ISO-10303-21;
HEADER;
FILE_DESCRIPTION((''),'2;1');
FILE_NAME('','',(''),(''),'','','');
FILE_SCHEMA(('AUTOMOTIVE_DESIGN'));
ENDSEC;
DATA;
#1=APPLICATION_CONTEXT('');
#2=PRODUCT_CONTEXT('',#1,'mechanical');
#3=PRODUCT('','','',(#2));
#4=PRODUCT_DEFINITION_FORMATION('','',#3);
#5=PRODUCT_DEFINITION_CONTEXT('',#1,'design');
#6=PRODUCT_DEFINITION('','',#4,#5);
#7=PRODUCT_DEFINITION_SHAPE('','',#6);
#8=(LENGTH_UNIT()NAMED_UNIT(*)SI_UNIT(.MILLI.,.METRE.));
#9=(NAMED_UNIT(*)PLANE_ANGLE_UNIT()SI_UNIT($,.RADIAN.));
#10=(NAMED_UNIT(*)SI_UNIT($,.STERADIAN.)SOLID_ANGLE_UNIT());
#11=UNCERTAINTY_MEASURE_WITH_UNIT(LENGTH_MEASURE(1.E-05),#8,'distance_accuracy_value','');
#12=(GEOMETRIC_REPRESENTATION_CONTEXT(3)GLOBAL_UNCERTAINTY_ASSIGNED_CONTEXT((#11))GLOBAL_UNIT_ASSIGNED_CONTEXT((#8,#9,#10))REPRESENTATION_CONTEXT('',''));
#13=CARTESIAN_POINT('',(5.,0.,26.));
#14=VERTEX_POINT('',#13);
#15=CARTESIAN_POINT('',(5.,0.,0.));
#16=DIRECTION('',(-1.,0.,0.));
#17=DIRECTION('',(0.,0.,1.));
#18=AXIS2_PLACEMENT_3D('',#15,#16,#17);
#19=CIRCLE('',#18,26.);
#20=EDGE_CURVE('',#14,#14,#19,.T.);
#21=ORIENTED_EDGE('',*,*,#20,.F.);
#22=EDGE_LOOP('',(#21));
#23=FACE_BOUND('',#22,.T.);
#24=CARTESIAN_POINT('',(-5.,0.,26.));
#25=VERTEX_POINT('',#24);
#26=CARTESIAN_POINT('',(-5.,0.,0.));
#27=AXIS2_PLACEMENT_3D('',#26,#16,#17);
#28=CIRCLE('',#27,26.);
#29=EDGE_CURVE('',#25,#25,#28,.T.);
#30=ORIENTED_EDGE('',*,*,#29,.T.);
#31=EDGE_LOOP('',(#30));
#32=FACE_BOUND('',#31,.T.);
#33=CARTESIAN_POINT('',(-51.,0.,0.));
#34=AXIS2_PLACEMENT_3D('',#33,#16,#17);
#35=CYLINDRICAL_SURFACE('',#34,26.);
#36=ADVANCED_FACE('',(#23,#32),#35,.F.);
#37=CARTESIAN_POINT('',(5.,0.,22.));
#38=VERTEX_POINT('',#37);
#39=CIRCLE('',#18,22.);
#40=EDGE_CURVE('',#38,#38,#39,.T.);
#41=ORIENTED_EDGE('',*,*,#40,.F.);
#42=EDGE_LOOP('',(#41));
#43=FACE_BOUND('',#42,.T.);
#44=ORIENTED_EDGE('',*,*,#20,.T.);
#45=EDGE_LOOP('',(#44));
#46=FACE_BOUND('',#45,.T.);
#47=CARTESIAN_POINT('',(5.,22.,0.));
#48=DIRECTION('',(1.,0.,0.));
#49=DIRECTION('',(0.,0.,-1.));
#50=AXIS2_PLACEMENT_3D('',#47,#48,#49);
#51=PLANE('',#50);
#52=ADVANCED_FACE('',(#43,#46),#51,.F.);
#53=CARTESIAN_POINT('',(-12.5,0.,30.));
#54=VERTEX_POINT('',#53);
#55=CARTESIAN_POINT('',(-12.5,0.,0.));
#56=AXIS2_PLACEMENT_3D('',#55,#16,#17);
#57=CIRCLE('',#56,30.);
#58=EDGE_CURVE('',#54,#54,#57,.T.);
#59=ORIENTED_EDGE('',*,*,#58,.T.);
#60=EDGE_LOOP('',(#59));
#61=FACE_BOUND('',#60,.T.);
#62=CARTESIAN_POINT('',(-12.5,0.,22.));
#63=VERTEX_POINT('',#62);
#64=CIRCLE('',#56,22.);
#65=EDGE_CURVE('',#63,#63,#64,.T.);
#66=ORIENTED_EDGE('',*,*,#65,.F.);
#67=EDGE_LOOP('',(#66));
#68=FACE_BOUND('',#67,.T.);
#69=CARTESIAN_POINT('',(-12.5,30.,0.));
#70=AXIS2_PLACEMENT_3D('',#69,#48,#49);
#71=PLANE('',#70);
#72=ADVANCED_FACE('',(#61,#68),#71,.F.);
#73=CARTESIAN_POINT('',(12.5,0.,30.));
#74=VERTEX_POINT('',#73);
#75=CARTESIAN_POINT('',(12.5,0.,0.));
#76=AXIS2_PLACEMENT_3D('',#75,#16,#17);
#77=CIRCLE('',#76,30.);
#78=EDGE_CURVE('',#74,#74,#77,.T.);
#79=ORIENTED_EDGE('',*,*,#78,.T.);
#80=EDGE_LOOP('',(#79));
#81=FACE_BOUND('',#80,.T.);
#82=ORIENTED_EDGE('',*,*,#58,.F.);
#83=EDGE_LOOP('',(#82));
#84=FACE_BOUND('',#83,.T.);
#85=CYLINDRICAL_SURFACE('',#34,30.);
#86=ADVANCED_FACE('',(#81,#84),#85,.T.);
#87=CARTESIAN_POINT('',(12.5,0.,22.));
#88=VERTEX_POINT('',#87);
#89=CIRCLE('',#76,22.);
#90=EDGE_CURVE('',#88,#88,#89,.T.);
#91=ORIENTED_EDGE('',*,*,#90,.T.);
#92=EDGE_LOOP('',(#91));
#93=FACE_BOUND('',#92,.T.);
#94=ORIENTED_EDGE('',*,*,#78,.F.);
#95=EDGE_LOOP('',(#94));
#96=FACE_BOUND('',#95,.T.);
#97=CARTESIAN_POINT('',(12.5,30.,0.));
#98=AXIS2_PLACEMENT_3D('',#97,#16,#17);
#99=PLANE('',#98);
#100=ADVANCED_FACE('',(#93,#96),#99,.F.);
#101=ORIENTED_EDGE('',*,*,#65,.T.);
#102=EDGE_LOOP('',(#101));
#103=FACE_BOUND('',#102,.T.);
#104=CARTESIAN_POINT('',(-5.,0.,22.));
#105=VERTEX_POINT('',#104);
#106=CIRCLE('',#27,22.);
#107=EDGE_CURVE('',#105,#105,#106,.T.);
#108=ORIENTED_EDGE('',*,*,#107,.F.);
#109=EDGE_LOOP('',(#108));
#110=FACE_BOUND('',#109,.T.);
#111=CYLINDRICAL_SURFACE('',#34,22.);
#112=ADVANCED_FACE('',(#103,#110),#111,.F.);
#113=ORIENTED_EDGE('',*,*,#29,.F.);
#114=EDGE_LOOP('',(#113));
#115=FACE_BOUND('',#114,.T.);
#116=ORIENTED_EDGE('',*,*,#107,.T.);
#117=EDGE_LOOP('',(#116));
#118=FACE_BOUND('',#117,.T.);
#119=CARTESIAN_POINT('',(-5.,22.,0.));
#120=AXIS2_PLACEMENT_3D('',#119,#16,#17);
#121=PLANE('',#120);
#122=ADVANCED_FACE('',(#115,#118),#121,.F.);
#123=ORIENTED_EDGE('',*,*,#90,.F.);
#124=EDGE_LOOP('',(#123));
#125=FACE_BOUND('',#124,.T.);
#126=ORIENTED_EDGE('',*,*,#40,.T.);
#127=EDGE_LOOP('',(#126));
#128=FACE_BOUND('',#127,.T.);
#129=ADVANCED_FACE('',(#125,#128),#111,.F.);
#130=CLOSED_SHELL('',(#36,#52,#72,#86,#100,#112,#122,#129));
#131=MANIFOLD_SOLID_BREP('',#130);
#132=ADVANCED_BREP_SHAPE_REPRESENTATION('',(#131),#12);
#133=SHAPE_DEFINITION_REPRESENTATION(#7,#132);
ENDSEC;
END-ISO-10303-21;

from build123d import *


with BuildPart() as part:
    # Esquisse1 → Révolution1 (revolve)
    with BuildSketch(Plane.XY, mode=Mode.PRIVATE) as r_volution1_sk:
        Polygon((5, 22), (12.5, 22), (12.5, 30), (-12.5, 30), (-12.5, 22), (-5, 22), (-5, 26), (5, 26), align=None)
    revolve(r_volution1_sk.sketch.rotate(Axis((-51, 0, 0), (1, 0, 0)), 90), axis=Axis((-51, 0, 0), (1, 0, 0)))


solid = part.part
